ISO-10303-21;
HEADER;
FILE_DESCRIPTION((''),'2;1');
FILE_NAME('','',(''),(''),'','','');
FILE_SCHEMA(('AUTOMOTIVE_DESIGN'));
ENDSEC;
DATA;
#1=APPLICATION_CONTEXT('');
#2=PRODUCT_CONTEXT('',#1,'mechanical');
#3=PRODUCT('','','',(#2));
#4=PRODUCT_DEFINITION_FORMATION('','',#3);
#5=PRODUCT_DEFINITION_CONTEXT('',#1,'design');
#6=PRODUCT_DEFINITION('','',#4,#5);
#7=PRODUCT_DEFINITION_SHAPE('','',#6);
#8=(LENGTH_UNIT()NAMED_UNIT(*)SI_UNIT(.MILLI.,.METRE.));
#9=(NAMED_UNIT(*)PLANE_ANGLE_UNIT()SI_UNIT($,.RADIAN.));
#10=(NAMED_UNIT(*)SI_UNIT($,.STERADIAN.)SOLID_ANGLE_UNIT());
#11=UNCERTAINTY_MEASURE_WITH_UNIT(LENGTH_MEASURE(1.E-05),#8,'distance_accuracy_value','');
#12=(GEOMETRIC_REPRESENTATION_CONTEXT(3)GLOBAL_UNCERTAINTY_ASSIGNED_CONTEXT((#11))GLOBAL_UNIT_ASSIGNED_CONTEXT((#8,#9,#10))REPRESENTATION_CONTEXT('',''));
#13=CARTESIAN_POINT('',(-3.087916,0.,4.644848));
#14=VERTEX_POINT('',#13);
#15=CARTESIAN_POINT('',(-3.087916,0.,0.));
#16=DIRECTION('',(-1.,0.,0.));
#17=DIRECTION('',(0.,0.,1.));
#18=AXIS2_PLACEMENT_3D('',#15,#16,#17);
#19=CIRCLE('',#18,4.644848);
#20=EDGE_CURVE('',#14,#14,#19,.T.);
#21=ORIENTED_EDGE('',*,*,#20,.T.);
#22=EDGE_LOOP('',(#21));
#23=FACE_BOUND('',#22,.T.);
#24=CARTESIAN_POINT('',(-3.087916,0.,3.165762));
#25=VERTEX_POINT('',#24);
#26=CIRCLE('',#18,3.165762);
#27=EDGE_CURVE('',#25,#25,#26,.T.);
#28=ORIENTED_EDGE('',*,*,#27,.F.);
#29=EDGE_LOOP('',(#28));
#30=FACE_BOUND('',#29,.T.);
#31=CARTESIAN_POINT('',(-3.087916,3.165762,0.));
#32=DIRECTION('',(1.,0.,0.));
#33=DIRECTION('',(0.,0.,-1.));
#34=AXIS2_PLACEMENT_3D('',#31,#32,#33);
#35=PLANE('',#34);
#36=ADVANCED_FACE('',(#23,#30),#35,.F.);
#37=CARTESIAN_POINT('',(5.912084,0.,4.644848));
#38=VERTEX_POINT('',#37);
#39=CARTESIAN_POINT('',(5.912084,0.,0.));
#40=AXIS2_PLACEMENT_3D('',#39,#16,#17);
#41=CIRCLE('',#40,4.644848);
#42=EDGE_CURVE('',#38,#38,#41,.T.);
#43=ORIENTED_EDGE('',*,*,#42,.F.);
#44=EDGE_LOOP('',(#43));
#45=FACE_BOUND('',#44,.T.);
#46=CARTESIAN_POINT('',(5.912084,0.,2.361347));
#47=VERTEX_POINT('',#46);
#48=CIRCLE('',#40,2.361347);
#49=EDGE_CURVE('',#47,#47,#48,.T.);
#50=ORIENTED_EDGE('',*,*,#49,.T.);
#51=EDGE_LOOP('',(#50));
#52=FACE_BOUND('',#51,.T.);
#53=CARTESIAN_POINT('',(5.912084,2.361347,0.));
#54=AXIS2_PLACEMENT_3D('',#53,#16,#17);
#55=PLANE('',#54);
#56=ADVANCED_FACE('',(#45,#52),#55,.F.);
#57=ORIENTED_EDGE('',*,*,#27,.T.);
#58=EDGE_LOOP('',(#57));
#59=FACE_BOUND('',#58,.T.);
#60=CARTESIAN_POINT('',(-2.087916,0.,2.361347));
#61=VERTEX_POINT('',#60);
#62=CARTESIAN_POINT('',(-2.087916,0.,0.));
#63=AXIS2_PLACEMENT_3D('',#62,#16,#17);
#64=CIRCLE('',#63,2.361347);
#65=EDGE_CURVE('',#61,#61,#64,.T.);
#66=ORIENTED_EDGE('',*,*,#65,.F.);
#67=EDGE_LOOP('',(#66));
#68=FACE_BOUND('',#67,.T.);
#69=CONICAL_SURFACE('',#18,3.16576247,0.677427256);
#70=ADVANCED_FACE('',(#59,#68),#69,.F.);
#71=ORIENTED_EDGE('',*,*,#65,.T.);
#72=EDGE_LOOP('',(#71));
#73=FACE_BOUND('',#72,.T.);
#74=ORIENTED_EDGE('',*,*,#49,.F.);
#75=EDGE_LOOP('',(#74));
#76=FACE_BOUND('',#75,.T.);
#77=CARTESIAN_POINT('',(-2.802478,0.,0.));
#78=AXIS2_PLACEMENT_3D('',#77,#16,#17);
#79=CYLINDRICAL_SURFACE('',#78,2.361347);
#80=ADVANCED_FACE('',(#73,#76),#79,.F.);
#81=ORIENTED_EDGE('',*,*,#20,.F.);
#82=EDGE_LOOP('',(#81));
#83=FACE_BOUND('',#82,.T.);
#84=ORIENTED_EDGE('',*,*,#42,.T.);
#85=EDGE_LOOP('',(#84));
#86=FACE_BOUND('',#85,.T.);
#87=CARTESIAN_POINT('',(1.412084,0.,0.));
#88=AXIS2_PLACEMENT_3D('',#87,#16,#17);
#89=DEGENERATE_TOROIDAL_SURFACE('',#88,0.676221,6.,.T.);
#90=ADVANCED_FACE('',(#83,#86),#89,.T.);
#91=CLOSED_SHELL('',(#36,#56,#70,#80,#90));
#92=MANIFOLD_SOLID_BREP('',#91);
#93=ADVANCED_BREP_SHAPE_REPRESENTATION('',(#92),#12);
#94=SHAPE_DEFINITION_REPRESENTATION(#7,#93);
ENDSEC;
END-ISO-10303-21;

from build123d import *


with BuildPart() as part:
    # Sketch1 → Revolve1 (revolve)
    with BuildSketch(Plane.XY):
        with BuildLine():
            Line((-2.087915852, 2.361347416), (5.912084148, 2.361347416))
            Line((5.912084148, 2.361347416), (5.912084148, 4.644848214))
            ThreePointArc((5.912084148, 4.644848214), (1.412084148, 6.676221247), (-3.087915852, 4.644848214))
            Line((-3.087915852, 4.644848214), (-3.087915852, 3.16576247))
            Line((-3.087915852, 3.16576247), (-2.087915852, 2.361347416))
        make_face()
    revolve(axis=Axis((-2.802478252, 0, 0), (1, 0, 0)))


solid = part.part
